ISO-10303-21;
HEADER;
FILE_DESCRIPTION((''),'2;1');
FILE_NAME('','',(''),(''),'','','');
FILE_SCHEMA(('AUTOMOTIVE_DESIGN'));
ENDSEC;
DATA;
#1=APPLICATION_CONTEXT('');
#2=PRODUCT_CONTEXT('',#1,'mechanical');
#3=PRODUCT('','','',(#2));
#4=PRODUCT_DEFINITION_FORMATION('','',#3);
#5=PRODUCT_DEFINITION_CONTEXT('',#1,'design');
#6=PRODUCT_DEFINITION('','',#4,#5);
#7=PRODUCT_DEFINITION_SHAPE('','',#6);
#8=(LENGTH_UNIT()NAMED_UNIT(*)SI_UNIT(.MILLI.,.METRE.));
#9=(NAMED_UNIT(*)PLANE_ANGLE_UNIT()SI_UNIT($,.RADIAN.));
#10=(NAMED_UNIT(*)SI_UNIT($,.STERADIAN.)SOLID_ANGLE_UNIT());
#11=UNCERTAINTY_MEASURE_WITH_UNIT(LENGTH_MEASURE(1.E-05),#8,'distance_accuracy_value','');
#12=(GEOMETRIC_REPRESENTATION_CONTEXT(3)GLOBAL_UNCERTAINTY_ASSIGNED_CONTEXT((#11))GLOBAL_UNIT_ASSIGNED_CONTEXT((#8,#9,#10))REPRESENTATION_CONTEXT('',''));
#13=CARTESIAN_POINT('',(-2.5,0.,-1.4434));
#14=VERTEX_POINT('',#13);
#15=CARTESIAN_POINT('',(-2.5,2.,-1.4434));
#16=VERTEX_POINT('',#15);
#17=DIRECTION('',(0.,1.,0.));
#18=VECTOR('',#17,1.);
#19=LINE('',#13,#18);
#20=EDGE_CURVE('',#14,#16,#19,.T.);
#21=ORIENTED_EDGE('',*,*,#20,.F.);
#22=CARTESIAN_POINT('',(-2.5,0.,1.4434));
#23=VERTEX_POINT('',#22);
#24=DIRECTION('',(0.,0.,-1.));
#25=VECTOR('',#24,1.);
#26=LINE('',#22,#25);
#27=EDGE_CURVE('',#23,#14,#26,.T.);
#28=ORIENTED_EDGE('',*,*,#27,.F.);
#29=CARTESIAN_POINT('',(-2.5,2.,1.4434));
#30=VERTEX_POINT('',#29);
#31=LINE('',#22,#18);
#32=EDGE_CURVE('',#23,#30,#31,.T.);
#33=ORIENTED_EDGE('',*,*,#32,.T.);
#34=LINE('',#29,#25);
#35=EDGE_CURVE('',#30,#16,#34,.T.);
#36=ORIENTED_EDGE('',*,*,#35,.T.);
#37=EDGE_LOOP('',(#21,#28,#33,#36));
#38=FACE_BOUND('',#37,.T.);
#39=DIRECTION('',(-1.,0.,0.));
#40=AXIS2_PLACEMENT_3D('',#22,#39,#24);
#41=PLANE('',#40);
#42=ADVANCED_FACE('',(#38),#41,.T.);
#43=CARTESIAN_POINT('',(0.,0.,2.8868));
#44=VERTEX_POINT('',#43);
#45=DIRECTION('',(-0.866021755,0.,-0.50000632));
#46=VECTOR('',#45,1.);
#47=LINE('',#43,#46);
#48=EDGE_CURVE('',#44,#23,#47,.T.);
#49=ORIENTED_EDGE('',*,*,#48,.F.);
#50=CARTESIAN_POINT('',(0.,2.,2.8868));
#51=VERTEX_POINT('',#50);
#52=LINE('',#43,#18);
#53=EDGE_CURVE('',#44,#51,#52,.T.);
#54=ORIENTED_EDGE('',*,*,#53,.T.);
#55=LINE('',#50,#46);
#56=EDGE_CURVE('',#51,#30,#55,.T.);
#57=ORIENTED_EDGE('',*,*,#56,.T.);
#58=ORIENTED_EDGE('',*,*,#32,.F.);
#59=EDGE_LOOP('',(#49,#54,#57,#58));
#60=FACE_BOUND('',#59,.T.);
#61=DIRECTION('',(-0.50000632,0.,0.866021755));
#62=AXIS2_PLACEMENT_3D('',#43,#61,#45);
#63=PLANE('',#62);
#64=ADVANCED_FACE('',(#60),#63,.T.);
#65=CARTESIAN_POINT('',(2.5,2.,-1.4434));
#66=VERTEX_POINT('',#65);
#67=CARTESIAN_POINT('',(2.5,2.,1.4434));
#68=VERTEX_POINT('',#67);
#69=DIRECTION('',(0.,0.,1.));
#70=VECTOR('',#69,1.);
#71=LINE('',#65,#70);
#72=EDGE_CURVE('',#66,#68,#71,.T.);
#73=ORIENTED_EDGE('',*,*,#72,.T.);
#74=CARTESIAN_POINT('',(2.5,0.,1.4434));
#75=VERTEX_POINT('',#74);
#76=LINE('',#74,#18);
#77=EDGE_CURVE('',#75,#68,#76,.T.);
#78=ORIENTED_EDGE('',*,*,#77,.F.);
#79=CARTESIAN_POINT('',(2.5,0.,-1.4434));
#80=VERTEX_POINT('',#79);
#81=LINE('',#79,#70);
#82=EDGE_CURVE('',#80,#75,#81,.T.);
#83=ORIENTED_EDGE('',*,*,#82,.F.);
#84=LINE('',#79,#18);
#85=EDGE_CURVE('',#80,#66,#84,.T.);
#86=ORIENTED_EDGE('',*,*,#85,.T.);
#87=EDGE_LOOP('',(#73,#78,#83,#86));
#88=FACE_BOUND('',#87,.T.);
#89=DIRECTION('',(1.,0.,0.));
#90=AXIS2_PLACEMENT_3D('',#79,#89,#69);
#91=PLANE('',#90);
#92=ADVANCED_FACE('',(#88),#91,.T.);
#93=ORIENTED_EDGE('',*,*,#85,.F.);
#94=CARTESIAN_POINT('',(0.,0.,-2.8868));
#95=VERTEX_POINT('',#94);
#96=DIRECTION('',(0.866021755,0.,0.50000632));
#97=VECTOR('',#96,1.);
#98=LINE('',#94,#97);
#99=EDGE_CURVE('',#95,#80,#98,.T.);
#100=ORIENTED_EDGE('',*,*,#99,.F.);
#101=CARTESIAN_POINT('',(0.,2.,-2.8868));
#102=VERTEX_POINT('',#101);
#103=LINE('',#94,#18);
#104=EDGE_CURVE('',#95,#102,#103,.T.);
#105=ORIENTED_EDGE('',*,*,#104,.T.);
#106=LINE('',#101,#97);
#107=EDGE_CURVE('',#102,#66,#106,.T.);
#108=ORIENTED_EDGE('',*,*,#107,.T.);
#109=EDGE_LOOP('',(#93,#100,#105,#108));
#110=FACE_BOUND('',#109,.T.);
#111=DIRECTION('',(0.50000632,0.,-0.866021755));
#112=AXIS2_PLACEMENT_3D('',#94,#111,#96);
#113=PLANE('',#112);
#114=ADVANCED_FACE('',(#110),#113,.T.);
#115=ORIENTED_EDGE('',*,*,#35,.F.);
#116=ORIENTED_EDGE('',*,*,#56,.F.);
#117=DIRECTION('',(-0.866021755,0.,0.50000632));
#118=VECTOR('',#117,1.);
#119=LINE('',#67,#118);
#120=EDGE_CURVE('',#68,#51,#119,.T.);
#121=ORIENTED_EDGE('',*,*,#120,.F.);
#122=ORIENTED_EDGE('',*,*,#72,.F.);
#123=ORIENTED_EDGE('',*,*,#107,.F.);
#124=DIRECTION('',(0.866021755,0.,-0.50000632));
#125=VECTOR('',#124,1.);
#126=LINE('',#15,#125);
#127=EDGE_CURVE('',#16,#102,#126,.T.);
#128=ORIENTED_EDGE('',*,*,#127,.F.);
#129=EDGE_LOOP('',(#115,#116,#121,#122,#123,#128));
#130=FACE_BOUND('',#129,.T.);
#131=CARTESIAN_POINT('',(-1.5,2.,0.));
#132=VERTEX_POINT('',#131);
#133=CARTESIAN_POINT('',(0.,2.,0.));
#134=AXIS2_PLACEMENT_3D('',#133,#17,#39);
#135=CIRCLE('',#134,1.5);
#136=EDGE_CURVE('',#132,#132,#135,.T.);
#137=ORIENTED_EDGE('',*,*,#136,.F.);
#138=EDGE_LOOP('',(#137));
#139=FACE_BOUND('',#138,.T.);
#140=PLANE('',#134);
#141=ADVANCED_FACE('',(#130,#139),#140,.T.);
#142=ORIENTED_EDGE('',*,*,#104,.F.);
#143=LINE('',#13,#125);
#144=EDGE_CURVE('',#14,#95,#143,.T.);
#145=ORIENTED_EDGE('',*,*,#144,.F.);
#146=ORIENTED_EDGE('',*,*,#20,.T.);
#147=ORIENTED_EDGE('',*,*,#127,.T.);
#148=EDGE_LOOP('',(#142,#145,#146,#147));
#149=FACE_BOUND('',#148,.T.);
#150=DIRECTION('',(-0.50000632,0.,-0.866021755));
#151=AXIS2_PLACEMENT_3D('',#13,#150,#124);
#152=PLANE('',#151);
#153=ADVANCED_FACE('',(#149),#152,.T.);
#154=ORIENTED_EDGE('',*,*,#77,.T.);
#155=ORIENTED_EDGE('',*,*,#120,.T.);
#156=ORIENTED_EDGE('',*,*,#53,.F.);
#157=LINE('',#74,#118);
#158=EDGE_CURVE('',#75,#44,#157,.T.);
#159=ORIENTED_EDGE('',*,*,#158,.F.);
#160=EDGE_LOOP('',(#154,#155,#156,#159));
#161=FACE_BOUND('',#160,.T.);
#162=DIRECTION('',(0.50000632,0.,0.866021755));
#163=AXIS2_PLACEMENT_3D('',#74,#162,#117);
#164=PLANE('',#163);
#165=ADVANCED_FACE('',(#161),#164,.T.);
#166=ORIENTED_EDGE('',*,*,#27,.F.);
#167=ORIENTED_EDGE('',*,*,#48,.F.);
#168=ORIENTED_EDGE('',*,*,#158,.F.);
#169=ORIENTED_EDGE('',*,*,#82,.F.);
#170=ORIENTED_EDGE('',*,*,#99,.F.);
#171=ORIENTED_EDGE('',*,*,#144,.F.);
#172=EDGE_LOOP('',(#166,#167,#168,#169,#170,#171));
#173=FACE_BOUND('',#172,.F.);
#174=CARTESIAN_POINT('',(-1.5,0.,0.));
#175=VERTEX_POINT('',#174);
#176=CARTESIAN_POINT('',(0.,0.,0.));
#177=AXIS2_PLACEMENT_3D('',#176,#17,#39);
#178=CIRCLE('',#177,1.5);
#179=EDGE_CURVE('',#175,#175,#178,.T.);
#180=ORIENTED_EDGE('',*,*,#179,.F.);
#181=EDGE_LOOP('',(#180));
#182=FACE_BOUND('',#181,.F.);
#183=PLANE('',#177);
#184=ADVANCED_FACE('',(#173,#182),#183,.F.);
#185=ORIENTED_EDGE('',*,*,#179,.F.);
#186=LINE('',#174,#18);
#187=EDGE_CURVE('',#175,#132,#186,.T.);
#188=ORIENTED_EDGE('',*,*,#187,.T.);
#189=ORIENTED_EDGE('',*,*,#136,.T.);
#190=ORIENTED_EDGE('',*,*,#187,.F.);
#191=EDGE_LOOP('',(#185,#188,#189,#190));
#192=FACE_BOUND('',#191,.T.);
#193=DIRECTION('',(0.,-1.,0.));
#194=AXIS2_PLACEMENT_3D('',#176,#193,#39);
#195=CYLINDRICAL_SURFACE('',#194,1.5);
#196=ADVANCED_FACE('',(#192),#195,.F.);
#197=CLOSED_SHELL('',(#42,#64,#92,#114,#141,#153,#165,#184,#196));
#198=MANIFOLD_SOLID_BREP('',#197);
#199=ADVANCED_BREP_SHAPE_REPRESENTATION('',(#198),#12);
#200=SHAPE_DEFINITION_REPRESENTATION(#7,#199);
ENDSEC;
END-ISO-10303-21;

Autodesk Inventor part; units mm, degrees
ref_plane "YZ Plane" through (0, 0, 0) normal (1, 0, 0) x (0, 1, 0)
ref_plane "XZ Plane" through (0, 0, 0) normal (0, 1, 0) x (-1, 0, 0)
ref_plane "XY Plane" through (0, 0, 0) normal (0, 0, 1) x (1, 0, 0)
sketch "Sketch1" plane through (0, 0, 0) normal (0, 1, 0) x (-1, 0, 0)
  circle A0 centre (0, 0) radius 1.5
  line L0 (0, -2.8868) -> (-2.5, -1.4434)
  line L1 (-2.5, -1.4434) -> (-2.5, 1.4434)
  line L2 (-2.5, 1.4434) -> (0, 2.8868)
  line L3 (0, 2.8868) -> (2.5, 1.4434)
  line L4 (2.5, 1.4434) -> (2.5, -1.4434)
  line L5 (2.5, -1.4434) -> (0, -2.8868)
  dimension "d2" = 3
  dimension "d3" = 5
extrude "Extrusion1" add sketch "Sketch1" along normal blind 2
thread "Thread1" size "M3x0.5" class "6H" standard "ANSI Metric M Profile" full length
properties part number "M3 Hex Nut" material "Steel"
